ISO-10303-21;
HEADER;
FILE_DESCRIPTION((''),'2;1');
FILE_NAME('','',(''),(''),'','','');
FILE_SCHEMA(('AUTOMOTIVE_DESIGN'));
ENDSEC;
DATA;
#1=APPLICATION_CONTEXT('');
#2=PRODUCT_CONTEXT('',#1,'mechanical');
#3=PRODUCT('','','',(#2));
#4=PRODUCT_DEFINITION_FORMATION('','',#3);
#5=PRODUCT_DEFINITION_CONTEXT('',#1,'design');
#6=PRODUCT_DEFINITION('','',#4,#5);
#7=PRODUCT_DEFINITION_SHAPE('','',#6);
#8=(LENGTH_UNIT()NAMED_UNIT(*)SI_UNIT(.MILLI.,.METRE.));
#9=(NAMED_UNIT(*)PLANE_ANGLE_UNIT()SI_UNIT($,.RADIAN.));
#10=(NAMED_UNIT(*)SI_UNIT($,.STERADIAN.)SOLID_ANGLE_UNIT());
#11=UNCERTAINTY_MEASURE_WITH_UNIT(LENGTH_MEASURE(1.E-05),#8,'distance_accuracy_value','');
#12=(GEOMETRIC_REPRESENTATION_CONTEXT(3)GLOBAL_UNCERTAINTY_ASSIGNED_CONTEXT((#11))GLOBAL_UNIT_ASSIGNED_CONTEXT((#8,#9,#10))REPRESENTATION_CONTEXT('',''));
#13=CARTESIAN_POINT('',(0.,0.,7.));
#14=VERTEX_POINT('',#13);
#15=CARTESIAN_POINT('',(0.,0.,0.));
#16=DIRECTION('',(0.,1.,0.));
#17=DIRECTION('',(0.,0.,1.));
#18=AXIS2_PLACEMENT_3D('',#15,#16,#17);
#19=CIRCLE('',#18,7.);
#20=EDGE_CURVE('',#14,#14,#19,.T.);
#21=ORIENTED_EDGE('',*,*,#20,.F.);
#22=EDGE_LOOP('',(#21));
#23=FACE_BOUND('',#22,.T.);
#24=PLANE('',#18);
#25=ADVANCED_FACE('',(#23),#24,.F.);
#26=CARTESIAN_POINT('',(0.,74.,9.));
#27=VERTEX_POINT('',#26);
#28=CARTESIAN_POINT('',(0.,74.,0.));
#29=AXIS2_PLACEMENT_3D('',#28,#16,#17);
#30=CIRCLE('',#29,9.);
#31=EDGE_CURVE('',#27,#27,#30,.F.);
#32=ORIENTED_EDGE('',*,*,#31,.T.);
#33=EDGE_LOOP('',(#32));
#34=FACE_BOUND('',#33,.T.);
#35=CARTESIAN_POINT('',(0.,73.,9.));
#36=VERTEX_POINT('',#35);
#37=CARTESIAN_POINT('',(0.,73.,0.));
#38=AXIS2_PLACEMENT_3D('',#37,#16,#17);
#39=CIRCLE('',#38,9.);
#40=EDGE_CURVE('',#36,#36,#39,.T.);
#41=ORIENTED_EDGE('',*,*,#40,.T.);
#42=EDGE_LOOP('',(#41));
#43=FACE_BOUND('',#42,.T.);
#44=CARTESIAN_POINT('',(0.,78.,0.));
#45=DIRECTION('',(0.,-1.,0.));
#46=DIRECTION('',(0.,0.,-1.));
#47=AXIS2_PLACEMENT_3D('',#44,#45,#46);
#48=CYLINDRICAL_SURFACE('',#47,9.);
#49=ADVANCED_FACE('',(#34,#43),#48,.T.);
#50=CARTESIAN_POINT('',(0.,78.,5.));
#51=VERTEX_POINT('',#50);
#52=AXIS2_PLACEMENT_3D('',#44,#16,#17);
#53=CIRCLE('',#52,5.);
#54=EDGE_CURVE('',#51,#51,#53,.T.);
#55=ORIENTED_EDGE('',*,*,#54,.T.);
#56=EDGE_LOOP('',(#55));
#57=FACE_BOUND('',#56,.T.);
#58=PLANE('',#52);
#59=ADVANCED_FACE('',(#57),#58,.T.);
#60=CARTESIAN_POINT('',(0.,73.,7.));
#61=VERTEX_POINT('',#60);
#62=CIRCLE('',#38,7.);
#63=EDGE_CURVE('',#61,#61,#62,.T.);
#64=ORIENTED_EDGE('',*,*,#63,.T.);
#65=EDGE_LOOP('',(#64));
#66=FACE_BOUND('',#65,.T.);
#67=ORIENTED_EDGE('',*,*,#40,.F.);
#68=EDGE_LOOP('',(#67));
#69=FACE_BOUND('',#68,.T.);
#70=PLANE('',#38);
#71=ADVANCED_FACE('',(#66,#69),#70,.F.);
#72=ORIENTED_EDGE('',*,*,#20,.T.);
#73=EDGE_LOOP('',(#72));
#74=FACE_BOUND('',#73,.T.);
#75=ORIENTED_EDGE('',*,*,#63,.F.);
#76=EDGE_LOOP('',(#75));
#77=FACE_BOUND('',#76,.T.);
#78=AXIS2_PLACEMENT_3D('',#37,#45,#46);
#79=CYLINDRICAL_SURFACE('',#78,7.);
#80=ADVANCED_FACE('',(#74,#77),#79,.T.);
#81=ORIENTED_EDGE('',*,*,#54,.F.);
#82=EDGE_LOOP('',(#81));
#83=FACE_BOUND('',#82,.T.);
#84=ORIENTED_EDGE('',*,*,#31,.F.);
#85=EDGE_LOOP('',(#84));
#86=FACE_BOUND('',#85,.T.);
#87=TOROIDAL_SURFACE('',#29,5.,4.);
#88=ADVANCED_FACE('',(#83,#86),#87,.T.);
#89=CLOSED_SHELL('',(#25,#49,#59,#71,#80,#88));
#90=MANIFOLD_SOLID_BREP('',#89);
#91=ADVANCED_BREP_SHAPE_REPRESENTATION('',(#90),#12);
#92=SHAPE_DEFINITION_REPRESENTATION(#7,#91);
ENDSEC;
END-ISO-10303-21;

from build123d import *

# Parameters (mm, degrees)
SKETCH1_R           = 7
BOSS_EXTRUDE1_DEPTH = 73
SKETCH2_R           = 9
BOSS_EXTRUDE2_DEPTH = 5
FILLET3_R           = 4


with BuildPart() as part:
    # Sketch1 → Boss-Extrude1 (new body)
    with BuildSketch(Plane(origin=(0, 0, 0), x_dir=(1, 0, 0), z_dir=(0, 1, 0))):
        Circle(SKETCH1_R)
    extrude(amount=BOSS_EXTRUDE1_DEPTH)

    # Sketch2 → Boss-Extrude2 (add)
    with BuildSketch(Plane(origin=(0, 73, 0), x_dir=(1, 0, 0), z_dir=(0, 1, 0))):
        Circle(SKETCH2_R)
    extrude(amount=BOSS_EXTRUDE2_DEPTH)

    # Fillet3
    fillet3_edges = [part.edges().sort_by_distance(p)[0] for p in [
        (-9, 78, 0),
    ]]
    fillet(fillet3_edges, radius=FILLET3_R)


solid = part.part
